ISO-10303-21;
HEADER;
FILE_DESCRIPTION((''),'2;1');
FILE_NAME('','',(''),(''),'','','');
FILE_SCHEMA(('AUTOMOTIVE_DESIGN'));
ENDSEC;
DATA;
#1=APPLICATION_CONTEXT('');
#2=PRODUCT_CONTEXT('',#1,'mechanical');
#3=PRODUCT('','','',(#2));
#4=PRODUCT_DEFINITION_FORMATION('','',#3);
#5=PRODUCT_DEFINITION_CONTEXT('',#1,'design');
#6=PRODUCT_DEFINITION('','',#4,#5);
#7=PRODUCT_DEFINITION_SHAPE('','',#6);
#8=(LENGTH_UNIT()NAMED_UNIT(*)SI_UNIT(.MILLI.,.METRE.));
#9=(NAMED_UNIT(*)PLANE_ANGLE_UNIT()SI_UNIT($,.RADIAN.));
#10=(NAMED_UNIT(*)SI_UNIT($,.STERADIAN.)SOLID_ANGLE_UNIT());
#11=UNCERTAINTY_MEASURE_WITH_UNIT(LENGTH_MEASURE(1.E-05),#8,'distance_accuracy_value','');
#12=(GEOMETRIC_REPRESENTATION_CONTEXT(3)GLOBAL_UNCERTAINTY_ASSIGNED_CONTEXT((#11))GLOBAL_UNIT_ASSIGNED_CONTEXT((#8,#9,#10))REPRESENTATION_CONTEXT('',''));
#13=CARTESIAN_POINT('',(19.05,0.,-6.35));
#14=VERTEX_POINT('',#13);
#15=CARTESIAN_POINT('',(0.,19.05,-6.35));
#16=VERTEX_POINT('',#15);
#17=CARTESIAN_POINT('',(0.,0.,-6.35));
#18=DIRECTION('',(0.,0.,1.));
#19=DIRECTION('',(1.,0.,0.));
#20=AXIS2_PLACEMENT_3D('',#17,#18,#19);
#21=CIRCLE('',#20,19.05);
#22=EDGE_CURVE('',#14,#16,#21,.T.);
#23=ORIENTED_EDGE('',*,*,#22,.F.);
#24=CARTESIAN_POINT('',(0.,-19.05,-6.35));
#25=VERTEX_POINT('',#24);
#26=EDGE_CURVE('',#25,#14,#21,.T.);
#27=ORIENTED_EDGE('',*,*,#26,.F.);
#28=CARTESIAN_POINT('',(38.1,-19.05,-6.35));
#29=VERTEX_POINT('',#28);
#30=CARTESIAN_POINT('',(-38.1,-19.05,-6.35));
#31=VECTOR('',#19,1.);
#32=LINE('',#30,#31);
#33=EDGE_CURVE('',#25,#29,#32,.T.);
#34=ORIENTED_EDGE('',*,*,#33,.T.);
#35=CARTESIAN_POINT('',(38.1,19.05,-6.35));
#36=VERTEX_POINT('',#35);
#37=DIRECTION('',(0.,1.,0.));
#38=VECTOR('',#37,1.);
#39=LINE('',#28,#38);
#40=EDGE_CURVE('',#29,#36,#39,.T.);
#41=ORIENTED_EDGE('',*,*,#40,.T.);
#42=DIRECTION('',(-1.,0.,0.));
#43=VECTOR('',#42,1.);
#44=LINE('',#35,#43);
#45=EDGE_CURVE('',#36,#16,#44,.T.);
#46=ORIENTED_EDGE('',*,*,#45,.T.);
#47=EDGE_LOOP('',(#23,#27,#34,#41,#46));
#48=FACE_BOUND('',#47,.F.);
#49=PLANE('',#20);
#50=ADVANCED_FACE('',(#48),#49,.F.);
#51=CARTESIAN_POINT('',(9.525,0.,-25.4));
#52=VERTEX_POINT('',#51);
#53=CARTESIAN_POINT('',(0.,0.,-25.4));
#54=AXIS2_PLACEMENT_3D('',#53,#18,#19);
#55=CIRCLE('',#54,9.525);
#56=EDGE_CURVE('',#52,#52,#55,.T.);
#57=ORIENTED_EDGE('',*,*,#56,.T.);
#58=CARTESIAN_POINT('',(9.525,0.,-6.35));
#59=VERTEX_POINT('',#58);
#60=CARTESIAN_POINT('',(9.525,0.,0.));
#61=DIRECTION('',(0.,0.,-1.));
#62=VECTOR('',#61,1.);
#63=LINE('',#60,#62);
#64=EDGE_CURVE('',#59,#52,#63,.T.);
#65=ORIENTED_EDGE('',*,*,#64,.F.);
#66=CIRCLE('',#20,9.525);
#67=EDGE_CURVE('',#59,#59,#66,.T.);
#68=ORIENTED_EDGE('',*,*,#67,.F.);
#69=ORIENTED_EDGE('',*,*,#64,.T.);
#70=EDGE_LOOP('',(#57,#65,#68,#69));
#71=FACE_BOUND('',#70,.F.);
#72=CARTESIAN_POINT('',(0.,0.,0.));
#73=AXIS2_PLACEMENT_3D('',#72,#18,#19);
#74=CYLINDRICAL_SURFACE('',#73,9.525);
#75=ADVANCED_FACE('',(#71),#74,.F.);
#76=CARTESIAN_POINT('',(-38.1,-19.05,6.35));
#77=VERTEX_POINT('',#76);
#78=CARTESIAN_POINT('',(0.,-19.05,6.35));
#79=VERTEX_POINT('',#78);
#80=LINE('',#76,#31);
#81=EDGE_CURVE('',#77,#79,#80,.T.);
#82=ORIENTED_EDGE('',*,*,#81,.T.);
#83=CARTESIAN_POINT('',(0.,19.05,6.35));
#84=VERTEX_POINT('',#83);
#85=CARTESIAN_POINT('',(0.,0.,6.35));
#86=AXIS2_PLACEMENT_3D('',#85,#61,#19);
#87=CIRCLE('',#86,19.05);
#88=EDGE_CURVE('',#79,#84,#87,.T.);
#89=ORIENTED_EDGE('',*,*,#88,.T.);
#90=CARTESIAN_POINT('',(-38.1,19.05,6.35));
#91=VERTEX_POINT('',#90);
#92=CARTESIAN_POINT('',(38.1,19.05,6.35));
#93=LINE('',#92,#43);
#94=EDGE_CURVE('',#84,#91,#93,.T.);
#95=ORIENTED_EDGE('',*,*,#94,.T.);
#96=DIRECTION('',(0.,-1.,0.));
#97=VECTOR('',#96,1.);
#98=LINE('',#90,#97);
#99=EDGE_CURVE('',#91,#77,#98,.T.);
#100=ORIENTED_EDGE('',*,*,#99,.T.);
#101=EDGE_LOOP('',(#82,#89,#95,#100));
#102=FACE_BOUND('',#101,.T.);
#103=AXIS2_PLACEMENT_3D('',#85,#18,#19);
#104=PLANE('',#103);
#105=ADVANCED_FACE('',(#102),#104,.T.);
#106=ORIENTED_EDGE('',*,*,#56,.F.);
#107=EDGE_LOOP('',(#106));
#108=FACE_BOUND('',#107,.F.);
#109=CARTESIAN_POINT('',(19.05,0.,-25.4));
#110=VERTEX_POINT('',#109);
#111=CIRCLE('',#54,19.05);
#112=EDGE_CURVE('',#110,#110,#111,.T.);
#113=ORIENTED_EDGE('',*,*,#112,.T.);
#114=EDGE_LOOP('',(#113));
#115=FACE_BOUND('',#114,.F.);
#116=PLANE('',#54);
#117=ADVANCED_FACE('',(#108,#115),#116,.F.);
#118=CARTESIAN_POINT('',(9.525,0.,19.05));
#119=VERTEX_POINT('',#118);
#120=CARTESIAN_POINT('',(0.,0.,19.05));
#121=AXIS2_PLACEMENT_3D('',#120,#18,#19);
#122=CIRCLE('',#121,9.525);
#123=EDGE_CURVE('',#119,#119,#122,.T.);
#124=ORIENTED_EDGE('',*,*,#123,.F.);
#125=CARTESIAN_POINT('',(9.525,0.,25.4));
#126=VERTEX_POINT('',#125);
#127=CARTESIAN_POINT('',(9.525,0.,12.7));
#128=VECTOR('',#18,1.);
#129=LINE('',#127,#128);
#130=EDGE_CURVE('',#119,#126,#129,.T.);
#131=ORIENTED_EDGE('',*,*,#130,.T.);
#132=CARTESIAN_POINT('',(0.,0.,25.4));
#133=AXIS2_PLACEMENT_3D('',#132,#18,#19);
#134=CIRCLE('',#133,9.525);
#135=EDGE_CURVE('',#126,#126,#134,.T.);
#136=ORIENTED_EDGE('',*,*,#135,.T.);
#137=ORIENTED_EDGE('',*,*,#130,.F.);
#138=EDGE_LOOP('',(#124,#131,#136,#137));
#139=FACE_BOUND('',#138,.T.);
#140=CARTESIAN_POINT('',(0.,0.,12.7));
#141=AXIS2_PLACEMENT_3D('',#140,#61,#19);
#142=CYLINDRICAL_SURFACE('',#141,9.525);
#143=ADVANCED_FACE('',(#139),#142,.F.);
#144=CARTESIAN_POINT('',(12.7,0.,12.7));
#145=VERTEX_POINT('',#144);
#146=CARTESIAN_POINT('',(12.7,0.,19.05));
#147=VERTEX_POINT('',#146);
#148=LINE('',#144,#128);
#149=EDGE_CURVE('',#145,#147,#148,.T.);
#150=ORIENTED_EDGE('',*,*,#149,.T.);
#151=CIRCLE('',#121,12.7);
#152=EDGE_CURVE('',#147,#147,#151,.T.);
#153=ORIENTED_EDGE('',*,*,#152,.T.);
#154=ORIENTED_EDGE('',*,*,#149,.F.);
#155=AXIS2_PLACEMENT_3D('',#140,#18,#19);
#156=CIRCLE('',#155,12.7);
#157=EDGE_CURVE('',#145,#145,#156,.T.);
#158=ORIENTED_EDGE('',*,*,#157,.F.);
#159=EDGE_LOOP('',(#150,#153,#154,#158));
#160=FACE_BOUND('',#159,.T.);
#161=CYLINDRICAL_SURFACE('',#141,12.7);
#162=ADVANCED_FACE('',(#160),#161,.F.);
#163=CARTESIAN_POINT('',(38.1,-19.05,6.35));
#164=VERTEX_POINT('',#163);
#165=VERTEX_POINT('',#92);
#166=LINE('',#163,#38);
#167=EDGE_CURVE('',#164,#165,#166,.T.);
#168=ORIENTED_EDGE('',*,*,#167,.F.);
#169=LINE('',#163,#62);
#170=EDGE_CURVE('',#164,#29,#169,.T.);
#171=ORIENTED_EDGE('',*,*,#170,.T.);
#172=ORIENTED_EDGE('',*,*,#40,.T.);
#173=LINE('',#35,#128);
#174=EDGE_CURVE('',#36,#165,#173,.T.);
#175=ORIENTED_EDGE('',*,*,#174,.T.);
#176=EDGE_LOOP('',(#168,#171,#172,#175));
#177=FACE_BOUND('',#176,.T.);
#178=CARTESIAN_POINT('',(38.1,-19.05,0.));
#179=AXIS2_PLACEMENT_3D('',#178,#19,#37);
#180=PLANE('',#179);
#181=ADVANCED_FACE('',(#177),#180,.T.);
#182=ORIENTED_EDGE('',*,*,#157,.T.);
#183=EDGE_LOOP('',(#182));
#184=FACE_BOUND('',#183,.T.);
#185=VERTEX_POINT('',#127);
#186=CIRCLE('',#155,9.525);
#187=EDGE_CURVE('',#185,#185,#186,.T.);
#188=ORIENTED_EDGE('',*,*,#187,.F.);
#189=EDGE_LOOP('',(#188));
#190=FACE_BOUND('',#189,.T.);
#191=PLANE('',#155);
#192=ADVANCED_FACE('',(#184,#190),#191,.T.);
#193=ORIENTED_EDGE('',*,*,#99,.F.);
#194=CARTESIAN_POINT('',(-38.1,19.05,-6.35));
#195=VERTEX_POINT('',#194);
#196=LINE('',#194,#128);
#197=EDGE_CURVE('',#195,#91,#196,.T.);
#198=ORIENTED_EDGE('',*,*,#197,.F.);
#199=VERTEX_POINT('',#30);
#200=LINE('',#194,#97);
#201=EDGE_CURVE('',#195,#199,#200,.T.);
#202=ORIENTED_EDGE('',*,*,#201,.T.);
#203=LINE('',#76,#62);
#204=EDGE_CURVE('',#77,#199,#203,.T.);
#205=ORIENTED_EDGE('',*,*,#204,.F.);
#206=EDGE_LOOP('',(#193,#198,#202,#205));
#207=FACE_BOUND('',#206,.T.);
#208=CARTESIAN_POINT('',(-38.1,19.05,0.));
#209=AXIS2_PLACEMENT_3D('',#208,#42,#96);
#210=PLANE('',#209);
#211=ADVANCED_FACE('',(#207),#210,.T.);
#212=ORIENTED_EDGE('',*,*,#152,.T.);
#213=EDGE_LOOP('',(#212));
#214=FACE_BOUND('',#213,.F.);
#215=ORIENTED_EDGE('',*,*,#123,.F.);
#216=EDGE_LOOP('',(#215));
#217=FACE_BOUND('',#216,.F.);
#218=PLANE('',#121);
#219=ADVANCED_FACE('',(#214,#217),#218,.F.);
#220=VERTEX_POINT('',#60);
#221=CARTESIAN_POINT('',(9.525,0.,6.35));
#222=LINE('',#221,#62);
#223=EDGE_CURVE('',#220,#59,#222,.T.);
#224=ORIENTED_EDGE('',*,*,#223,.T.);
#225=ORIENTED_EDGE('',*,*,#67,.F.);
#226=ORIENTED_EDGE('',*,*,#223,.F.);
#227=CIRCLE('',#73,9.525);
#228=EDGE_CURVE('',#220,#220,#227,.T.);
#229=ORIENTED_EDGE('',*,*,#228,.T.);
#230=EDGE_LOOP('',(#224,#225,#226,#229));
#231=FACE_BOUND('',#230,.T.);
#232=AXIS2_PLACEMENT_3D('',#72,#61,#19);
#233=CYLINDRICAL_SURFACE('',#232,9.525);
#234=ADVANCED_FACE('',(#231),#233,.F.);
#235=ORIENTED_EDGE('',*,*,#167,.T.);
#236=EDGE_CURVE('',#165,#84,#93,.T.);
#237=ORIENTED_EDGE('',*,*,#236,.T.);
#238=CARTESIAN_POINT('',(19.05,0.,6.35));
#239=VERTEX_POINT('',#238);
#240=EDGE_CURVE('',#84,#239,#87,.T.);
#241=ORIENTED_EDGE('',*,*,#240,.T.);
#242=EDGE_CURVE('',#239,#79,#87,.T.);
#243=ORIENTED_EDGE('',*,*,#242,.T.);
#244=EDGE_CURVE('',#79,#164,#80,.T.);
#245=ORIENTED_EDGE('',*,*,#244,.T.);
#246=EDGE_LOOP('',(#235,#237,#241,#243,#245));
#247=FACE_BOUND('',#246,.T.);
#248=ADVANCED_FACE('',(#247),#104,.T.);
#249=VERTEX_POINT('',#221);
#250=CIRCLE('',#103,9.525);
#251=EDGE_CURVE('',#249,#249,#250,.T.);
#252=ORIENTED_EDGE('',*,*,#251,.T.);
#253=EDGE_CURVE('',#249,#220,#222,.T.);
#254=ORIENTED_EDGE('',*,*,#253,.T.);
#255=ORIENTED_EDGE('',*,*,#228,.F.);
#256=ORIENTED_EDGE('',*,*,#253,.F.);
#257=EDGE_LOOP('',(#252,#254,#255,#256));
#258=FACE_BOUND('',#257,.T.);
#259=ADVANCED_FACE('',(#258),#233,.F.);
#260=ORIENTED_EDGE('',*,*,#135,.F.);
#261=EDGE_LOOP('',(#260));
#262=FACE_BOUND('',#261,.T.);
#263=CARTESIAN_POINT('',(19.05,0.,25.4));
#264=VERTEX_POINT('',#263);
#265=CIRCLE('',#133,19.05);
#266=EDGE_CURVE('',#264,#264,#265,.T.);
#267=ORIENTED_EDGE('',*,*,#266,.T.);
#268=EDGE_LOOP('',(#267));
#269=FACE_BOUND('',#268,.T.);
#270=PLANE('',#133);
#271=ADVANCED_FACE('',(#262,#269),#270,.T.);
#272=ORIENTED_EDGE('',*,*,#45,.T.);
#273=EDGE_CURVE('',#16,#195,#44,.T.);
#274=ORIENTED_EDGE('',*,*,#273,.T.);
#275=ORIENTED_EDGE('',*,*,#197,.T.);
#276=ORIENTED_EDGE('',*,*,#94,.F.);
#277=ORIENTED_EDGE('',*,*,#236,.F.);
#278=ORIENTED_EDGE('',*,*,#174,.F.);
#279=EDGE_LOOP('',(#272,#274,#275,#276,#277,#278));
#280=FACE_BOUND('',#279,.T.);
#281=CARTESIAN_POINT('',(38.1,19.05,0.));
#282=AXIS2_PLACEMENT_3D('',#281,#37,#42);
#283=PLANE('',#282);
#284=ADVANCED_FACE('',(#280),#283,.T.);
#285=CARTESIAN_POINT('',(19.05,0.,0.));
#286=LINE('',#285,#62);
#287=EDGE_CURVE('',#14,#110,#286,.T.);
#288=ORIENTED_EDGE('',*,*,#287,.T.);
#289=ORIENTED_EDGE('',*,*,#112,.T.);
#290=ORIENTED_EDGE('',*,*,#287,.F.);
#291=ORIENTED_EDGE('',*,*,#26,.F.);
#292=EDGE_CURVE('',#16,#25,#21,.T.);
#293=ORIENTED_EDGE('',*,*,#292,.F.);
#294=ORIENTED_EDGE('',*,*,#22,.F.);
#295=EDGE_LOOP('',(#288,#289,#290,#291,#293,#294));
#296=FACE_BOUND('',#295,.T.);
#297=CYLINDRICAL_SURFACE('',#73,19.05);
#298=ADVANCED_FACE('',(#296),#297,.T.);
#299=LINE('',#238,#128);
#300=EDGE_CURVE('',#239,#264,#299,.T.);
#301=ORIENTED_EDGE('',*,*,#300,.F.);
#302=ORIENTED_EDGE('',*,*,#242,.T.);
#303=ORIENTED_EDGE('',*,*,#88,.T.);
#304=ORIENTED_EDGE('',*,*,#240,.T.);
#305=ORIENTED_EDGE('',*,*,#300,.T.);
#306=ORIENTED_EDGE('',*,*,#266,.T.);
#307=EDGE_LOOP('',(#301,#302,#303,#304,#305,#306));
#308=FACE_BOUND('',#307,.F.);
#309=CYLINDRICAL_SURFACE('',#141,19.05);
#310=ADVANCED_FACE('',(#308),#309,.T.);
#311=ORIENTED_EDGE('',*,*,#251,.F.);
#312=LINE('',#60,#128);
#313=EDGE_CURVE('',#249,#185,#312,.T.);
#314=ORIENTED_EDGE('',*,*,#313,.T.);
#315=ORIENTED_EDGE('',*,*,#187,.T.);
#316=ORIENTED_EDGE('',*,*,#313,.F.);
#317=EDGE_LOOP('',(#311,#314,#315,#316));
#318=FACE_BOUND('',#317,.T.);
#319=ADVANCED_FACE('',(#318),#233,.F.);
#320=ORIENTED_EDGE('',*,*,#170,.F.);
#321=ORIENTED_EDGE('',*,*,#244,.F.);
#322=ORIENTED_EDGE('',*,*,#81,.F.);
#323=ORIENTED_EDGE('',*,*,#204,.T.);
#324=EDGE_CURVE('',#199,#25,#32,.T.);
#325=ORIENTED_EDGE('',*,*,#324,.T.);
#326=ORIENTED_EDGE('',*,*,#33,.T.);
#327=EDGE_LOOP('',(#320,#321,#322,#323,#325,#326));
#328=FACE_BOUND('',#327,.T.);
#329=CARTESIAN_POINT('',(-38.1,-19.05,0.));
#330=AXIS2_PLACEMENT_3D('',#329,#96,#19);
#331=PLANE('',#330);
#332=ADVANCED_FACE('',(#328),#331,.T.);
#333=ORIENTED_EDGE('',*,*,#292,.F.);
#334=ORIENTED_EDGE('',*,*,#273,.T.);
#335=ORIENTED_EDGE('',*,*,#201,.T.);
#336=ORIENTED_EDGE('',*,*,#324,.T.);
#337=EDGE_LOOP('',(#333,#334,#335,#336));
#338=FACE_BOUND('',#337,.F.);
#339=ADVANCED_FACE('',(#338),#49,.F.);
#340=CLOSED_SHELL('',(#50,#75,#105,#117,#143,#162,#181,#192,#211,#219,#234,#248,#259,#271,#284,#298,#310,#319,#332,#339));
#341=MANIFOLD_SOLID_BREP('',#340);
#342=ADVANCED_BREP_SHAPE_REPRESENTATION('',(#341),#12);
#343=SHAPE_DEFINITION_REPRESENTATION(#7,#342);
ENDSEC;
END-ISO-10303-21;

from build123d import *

# Parameters (mm, degrees)
F0_R          = 9.525
F1_DEPTH      = 6.35
F2_DEPTH      = 25.4
F2_DEPTH_BACK = 12.7
F3_R          = 19.05
F3_R_2        = 12.7
F3_R_3        = 9.525
F4_DEPTH      = 12.7
F5_DEPTH      = 6.35


with BuildPart() as f1:
    # F0 (on Top) → F1 (new body, symmetric)
    with BuildSketch(Plane.XY):
        with BuildLine():
            ThreePointArc((0, -19.05), (13.4703841816, -13.4703841816), (19.05, 0))
            ThreePointArc((19.05, 0), (13.4703841816, 13.4703841816), (0, 19.05))
            ThreePointArc((0, 19.05), (-19.05, 0), (0, -19.05))
        make_face()
        Circle(F0_R, mode=Mode.SUBTRACT)
        with BuildLine():
            ThreePointArc((0, 19.05), (13.4703841816, 13.4703841816), (19.05, 0))
            ThreePointArc((19.05, 0), (13.4703841816, -13.4703841816), (0, -19.05))
            Line((0, -19.05), (38.1, -19.05))
            Line((38.1, -19.05), (38.1, 19.05))
            Line((38.1, 19.05), (0, 19.05))
        make_face()
        with BuildLine():
            ThreePointArc((0, -19.05), (-19.05, 0), (0, 19.05))
            Line((0, 19.05), (-38.1, 19.05))
            Line((-38.1, 19.05), (-38.1, -19.05))
            Line((-38.1, -19.05), (0, -19.05))
        make_face()
    extrude(amount=F1_DEPTH, both=True)

    # F0 (on Top) → F2 (join, two sides)
    with BuildSketch(Plane.XY) as f2_sk:
        with BuildLine():
            ThreePointArc((0, -19.05), (13.4703841816, -13.4703841816), (19.05, 0))
            ThreePointArc((19.05, 0), (13.4703841816, 13.4703841816), (0, 19.05))
            ThreePointArc((0, 19.05), (-19.05, 0), (0, -19.05))
        make_face()
        Circle(F0_R, mode=Mode.SUBTRACT)
    extrude(amount=-F2_DEPTH)
    extrude(f2_sk.sketch, amount=F2_DEPTH_BACK)

    # F3 (on face) → F4 (join)
    with BuildSketch(Plane.XY.offset(12.7)):
        Circle(F3_R)
        Circle(F3_R_2, mode=Mode.SUBTRACT)
        Circle(F3_R_2)
        Circle(F3_R_3, mode=Mode.SUBTRACT)
    extrude(amount=F4_DEPTH)

    # F3 (on face) → F5 (cut)
    with BuildSketch(Plane.XY.offset(12.7)):
        Circle(F3_R_2)
        Circle(F3_R_3, mode=Mode.SUBTRACT)
    extrude(amount=F5_DEPTH, mode=Mode.SUBTRACT)


solid = f1.part
